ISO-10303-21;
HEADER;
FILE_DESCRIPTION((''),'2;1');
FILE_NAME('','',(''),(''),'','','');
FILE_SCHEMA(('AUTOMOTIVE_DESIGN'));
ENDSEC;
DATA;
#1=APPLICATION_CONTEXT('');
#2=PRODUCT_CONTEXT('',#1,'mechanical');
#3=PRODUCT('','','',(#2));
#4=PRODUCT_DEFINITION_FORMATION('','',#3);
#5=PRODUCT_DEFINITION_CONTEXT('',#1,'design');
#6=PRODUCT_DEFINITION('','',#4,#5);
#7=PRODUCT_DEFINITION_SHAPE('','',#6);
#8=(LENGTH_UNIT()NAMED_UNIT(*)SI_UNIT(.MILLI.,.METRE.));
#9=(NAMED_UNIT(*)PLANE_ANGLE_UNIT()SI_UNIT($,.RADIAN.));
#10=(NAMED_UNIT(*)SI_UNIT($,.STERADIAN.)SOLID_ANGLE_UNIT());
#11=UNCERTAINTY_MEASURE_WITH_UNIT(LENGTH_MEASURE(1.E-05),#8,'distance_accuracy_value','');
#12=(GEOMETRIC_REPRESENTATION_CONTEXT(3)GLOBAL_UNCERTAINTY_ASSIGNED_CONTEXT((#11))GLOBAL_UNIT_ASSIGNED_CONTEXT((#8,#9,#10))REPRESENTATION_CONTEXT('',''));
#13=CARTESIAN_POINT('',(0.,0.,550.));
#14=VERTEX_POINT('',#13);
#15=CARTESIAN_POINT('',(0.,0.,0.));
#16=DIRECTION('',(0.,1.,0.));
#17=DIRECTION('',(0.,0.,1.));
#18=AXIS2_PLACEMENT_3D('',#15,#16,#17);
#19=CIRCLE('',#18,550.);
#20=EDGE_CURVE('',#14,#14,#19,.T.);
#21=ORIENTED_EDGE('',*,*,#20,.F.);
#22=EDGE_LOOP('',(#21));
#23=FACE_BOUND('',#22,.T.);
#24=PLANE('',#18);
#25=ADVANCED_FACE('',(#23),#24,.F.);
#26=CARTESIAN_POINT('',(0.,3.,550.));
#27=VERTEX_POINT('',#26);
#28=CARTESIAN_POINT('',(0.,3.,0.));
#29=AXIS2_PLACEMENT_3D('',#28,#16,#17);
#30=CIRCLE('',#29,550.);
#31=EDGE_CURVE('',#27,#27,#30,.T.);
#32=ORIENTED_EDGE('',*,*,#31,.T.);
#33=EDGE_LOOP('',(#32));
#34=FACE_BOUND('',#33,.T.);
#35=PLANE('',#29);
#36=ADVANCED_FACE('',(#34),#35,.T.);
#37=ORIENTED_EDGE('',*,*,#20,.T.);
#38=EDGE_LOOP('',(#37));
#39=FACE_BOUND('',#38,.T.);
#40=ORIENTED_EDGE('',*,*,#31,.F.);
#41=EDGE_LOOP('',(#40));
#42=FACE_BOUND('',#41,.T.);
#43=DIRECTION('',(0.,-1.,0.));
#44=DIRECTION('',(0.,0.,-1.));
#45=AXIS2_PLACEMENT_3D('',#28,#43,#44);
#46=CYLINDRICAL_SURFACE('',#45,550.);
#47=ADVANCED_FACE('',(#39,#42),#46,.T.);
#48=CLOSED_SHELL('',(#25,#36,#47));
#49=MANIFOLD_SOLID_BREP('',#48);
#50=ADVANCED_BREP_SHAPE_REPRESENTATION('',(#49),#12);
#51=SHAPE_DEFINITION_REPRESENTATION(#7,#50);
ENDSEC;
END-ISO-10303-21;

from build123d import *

# Parameters (mm, degrees)
CROQUIS1_R              = 550
SALIENTE_EXTRUIR1_DEPTH = 3


with BuildPart() as part:
    # Croquis1 → Saliente-Extruir1 (new body)
    with BuildSketch(Plane(origin=(0, 0, 0), x_dir=(1, 0, 0), z_dir=(0, 1, 0))):
        Circle(CROQUIS1_R)
    extrude(amount=SALIENTE_EXTRUIR1_DEPTH)


solid = part.part
